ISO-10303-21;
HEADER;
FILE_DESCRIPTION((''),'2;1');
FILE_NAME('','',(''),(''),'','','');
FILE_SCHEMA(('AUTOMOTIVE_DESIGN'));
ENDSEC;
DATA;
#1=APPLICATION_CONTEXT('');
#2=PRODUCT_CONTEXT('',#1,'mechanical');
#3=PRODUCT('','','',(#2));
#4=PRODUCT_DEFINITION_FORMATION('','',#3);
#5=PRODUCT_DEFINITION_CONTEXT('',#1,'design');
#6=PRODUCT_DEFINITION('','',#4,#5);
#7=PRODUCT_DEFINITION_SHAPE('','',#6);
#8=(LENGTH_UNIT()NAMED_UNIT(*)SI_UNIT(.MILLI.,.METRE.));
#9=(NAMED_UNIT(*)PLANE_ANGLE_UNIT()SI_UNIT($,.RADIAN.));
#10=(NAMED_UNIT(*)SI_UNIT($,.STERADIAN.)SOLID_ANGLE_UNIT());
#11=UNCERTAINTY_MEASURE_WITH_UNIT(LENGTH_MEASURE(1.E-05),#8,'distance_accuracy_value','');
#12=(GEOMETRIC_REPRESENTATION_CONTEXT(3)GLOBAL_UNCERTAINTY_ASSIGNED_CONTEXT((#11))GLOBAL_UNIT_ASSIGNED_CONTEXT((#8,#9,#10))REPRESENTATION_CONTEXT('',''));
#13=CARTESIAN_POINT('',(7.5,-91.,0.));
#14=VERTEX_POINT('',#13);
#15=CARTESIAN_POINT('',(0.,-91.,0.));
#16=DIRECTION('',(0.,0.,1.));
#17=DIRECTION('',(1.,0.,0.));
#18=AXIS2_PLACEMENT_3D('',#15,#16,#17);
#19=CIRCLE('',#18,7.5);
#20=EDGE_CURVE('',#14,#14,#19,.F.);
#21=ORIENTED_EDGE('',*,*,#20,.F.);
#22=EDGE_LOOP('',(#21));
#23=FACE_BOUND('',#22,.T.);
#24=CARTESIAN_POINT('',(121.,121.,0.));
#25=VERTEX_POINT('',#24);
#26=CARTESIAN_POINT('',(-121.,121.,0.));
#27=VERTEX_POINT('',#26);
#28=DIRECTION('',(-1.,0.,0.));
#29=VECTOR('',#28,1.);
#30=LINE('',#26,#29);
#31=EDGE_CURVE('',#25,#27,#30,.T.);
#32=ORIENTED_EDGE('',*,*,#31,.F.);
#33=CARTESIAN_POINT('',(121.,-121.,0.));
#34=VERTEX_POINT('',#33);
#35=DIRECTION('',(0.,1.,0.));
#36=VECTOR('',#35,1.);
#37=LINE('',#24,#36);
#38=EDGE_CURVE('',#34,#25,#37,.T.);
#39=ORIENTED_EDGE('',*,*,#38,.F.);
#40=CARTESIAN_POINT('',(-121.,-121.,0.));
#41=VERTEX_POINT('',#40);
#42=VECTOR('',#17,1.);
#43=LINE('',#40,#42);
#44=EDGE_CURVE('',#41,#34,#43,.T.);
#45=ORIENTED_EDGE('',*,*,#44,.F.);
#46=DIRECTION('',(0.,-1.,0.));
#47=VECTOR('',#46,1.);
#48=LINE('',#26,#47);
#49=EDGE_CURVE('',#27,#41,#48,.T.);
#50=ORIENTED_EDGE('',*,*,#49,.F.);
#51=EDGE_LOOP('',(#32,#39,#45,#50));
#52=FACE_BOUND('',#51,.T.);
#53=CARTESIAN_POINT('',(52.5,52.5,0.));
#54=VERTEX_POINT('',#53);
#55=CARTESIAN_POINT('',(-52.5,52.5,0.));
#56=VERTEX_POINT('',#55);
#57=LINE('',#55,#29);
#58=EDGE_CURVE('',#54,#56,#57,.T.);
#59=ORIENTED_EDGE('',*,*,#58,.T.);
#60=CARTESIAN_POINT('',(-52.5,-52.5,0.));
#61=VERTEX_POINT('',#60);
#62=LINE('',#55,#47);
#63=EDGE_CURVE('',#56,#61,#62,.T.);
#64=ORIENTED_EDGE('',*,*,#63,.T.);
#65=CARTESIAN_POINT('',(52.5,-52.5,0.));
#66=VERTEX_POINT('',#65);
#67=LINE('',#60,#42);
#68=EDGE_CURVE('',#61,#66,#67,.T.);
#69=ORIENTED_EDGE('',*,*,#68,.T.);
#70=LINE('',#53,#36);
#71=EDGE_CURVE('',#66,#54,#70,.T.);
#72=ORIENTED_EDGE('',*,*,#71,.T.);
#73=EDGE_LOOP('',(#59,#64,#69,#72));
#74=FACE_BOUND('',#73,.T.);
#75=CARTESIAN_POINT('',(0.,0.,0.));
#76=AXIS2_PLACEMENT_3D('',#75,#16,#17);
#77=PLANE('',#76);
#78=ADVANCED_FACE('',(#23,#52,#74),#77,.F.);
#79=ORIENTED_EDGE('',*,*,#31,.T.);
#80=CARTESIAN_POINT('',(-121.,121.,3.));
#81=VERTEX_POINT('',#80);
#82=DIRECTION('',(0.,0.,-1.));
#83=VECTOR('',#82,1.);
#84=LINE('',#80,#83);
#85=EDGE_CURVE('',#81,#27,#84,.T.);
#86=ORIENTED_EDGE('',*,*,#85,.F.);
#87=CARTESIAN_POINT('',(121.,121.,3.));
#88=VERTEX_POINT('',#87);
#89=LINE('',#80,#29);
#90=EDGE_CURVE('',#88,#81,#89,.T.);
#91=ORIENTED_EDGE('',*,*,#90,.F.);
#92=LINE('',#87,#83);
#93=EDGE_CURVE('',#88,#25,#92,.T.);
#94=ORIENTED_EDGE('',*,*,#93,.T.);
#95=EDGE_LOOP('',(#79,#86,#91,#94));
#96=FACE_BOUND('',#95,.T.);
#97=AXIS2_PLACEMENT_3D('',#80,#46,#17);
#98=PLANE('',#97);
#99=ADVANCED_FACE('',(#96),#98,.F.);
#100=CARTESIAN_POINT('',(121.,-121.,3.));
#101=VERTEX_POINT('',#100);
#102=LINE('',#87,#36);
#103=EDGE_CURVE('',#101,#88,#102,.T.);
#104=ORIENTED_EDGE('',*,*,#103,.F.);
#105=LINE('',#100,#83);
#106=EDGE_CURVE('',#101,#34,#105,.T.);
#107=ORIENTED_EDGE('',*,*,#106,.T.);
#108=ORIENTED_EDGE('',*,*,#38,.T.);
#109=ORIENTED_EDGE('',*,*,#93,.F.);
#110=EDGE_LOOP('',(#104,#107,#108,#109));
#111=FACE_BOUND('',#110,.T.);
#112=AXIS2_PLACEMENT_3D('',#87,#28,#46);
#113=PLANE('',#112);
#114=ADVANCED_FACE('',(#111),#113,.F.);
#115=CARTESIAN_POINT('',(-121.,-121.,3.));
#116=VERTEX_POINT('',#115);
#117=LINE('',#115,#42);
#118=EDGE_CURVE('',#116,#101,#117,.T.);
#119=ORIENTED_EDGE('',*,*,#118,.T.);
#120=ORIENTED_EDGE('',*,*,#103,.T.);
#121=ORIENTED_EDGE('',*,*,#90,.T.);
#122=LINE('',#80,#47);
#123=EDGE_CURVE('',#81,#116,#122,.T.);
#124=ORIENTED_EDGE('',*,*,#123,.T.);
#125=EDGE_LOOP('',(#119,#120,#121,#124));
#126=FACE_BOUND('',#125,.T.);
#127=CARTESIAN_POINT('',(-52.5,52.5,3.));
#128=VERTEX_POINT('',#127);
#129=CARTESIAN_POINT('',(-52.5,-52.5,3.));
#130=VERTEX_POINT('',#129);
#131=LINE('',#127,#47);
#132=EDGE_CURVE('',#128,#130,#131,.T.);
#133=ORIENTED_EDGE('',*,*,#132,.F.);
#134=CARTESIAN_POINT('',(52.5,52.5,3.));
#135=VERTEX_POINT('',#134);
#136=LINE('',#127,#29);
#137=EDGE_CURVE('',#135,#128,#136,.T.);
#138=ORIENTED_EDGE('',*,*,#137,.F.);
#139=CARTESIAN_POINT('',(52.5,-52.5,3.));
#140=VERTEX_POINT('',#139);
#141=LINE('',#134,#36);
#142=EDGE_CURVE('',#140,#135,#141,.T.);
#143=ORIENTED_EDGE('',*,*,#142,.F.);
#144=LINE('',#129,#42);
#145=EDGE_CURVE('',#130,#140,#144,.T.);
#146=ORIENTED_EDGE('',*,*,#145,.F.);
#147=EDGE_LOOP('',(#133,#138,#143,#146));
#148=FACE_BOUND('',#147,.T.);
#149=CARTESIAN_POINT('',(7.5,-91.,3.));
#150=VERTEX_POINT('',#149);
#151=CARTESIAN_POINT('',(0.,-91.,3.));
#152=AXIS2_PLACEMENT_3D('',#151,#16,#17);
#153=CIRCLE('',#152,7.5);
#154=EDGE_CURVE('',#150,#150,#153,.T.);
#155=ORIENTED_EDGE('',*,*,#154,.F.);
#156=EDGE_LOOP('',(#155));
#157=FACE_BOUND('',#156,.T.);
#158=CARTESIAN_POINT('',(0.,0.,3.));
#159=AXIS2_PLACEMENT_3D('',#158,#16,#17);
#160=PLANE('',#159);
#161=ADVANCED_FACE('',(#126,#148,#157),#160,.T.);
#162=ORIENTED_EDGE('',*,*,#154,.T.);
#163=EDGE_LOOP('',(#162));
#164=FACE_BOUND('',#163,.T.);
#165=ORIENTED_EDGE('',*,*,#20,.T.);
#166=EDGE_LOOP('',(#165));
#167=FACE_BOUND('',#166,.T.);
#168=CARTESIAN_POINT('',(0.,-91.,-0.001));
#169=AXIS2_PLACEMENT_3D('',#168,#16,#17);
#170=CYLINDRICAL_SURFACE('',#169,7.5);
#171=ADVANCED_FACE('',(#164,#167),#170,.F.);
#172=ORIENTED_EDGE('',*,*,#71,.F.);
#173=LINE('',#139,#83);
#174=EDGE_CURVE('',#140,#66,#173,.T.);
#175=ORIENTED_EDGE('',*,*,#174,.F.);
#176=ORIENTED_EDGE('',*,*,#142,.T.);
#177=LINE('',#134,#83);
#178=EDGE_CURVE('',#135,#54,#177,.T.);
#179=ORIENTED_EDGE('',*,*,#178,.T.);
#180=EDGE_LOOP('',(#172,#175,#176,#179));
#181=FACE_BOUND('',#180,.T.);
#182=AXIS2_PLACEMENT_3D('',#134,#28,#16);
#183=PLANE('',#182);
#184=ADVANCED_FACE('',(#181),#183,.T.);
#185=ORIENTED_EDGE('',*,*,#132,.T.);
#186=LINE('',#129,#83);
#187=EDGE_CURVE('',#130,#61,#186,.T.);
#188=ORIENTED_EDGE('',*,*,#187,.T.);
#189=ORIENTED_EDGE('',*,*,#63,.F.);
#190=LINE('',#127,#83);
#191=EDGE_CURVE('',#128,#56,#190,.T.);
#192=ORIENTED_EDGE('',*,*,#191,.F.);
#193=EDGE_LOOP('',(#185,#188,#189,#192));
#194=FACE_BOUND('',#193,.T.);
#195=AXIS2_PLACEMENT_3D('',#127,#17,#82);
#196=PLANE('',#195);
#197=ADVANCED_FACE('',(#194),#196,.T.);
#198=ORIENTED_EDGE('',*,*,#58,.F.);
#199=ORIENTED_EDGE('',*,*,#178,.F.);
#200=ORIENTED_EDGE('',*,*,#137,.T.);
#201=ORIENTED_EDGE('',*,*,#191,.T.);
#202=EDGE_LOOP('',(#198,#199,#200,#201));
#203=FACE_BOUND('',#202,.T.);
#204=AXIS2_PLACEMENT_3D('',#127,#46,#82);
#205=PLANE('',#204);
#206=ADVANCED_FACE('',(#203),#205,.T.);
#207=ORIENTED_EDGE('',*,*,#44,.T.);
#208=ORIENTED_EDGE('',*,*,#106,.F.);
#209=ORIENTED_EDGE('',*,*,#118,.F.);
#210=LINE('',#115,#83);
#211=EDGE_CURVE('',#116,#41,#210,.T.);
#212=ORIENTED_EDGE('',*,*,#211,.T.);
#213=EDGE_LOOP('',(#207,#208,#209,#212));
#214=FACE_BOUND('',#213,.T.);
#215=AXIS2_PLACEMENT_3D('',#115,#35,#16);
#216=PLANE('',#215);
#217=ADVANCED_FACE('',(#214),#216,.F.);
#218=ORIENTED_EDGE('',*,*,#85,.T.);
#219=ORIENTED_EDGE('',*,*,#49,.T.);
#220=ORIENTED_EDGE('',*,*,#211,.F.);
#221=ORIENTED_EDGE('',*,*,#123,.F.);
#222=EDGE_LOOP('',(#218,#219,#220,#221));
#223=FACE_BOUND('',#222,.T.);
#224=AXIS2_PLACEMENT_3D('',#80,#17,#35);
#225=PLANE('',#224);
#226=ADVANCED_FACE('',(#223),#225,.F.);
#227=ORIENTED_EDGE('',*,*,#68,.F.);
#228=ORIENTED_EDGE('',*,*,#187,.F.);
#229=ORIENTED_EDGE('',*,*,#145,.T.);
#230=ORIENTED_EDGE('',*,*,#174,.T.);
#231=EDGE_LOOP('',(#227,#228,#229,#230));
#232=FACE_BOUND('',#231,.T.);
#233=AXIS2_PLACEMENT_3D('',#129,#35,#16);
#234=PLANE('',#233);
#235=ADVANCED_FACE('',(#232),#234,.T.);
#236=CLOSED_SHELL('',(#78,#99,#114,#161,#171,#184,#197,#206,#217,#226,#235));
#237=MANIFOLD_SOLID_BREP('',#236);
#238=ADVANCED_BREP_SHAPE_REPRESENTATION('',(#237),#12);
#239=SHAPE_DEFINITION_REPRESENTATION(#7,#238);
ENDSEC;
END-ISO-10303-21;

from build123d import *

# Parameters (mm, degrees)
SKETCH1_W           = 242
SKETCH1_H           = 242
SKETCH1_W_2         = 105
SKETCH1_H_2         = 105
BOSS_EXTRUDE1_DEPTH = 3
CUT_EXTRUDE1_REACH  = 5
SKETCH2_R           = 7.5


with BuildPart() as part:
    # Sketch1 → Boss-Extrude1 (new body)
    with BuildSketch(Plane.XY):
        Rectangle(SKETCH1_W, SKETCH1_H)
        Rectangle(SKETCH1_W_2, SKETCH1_H_2, mode=Mode.SUBTRACT)
    extrude(amount=BOSS_EXTRUDE1_DEPTH)

    # Sketch2 → Cut-Extrude1 (cut, up to next)
    with BuildSketch(Plane.XY.offset(3), mode=Mode.PRIVATE) as cut_extrude1_sk1:
        with Locations((0, -91)):
            Circle(SKETCH2_R)
    cut_extrude1_tool1 = extrude(cut_extrude1_sk1.sketch, amount=-CUT_EXTRUDE1_REACH, mode=Mode.PRIVATE) & part.part
    add(cut_extrude1_tool1.solids().sort_by_distance((0, -91, 3))[0], mode=Mode.SUBTRACT)


solid = part.part
